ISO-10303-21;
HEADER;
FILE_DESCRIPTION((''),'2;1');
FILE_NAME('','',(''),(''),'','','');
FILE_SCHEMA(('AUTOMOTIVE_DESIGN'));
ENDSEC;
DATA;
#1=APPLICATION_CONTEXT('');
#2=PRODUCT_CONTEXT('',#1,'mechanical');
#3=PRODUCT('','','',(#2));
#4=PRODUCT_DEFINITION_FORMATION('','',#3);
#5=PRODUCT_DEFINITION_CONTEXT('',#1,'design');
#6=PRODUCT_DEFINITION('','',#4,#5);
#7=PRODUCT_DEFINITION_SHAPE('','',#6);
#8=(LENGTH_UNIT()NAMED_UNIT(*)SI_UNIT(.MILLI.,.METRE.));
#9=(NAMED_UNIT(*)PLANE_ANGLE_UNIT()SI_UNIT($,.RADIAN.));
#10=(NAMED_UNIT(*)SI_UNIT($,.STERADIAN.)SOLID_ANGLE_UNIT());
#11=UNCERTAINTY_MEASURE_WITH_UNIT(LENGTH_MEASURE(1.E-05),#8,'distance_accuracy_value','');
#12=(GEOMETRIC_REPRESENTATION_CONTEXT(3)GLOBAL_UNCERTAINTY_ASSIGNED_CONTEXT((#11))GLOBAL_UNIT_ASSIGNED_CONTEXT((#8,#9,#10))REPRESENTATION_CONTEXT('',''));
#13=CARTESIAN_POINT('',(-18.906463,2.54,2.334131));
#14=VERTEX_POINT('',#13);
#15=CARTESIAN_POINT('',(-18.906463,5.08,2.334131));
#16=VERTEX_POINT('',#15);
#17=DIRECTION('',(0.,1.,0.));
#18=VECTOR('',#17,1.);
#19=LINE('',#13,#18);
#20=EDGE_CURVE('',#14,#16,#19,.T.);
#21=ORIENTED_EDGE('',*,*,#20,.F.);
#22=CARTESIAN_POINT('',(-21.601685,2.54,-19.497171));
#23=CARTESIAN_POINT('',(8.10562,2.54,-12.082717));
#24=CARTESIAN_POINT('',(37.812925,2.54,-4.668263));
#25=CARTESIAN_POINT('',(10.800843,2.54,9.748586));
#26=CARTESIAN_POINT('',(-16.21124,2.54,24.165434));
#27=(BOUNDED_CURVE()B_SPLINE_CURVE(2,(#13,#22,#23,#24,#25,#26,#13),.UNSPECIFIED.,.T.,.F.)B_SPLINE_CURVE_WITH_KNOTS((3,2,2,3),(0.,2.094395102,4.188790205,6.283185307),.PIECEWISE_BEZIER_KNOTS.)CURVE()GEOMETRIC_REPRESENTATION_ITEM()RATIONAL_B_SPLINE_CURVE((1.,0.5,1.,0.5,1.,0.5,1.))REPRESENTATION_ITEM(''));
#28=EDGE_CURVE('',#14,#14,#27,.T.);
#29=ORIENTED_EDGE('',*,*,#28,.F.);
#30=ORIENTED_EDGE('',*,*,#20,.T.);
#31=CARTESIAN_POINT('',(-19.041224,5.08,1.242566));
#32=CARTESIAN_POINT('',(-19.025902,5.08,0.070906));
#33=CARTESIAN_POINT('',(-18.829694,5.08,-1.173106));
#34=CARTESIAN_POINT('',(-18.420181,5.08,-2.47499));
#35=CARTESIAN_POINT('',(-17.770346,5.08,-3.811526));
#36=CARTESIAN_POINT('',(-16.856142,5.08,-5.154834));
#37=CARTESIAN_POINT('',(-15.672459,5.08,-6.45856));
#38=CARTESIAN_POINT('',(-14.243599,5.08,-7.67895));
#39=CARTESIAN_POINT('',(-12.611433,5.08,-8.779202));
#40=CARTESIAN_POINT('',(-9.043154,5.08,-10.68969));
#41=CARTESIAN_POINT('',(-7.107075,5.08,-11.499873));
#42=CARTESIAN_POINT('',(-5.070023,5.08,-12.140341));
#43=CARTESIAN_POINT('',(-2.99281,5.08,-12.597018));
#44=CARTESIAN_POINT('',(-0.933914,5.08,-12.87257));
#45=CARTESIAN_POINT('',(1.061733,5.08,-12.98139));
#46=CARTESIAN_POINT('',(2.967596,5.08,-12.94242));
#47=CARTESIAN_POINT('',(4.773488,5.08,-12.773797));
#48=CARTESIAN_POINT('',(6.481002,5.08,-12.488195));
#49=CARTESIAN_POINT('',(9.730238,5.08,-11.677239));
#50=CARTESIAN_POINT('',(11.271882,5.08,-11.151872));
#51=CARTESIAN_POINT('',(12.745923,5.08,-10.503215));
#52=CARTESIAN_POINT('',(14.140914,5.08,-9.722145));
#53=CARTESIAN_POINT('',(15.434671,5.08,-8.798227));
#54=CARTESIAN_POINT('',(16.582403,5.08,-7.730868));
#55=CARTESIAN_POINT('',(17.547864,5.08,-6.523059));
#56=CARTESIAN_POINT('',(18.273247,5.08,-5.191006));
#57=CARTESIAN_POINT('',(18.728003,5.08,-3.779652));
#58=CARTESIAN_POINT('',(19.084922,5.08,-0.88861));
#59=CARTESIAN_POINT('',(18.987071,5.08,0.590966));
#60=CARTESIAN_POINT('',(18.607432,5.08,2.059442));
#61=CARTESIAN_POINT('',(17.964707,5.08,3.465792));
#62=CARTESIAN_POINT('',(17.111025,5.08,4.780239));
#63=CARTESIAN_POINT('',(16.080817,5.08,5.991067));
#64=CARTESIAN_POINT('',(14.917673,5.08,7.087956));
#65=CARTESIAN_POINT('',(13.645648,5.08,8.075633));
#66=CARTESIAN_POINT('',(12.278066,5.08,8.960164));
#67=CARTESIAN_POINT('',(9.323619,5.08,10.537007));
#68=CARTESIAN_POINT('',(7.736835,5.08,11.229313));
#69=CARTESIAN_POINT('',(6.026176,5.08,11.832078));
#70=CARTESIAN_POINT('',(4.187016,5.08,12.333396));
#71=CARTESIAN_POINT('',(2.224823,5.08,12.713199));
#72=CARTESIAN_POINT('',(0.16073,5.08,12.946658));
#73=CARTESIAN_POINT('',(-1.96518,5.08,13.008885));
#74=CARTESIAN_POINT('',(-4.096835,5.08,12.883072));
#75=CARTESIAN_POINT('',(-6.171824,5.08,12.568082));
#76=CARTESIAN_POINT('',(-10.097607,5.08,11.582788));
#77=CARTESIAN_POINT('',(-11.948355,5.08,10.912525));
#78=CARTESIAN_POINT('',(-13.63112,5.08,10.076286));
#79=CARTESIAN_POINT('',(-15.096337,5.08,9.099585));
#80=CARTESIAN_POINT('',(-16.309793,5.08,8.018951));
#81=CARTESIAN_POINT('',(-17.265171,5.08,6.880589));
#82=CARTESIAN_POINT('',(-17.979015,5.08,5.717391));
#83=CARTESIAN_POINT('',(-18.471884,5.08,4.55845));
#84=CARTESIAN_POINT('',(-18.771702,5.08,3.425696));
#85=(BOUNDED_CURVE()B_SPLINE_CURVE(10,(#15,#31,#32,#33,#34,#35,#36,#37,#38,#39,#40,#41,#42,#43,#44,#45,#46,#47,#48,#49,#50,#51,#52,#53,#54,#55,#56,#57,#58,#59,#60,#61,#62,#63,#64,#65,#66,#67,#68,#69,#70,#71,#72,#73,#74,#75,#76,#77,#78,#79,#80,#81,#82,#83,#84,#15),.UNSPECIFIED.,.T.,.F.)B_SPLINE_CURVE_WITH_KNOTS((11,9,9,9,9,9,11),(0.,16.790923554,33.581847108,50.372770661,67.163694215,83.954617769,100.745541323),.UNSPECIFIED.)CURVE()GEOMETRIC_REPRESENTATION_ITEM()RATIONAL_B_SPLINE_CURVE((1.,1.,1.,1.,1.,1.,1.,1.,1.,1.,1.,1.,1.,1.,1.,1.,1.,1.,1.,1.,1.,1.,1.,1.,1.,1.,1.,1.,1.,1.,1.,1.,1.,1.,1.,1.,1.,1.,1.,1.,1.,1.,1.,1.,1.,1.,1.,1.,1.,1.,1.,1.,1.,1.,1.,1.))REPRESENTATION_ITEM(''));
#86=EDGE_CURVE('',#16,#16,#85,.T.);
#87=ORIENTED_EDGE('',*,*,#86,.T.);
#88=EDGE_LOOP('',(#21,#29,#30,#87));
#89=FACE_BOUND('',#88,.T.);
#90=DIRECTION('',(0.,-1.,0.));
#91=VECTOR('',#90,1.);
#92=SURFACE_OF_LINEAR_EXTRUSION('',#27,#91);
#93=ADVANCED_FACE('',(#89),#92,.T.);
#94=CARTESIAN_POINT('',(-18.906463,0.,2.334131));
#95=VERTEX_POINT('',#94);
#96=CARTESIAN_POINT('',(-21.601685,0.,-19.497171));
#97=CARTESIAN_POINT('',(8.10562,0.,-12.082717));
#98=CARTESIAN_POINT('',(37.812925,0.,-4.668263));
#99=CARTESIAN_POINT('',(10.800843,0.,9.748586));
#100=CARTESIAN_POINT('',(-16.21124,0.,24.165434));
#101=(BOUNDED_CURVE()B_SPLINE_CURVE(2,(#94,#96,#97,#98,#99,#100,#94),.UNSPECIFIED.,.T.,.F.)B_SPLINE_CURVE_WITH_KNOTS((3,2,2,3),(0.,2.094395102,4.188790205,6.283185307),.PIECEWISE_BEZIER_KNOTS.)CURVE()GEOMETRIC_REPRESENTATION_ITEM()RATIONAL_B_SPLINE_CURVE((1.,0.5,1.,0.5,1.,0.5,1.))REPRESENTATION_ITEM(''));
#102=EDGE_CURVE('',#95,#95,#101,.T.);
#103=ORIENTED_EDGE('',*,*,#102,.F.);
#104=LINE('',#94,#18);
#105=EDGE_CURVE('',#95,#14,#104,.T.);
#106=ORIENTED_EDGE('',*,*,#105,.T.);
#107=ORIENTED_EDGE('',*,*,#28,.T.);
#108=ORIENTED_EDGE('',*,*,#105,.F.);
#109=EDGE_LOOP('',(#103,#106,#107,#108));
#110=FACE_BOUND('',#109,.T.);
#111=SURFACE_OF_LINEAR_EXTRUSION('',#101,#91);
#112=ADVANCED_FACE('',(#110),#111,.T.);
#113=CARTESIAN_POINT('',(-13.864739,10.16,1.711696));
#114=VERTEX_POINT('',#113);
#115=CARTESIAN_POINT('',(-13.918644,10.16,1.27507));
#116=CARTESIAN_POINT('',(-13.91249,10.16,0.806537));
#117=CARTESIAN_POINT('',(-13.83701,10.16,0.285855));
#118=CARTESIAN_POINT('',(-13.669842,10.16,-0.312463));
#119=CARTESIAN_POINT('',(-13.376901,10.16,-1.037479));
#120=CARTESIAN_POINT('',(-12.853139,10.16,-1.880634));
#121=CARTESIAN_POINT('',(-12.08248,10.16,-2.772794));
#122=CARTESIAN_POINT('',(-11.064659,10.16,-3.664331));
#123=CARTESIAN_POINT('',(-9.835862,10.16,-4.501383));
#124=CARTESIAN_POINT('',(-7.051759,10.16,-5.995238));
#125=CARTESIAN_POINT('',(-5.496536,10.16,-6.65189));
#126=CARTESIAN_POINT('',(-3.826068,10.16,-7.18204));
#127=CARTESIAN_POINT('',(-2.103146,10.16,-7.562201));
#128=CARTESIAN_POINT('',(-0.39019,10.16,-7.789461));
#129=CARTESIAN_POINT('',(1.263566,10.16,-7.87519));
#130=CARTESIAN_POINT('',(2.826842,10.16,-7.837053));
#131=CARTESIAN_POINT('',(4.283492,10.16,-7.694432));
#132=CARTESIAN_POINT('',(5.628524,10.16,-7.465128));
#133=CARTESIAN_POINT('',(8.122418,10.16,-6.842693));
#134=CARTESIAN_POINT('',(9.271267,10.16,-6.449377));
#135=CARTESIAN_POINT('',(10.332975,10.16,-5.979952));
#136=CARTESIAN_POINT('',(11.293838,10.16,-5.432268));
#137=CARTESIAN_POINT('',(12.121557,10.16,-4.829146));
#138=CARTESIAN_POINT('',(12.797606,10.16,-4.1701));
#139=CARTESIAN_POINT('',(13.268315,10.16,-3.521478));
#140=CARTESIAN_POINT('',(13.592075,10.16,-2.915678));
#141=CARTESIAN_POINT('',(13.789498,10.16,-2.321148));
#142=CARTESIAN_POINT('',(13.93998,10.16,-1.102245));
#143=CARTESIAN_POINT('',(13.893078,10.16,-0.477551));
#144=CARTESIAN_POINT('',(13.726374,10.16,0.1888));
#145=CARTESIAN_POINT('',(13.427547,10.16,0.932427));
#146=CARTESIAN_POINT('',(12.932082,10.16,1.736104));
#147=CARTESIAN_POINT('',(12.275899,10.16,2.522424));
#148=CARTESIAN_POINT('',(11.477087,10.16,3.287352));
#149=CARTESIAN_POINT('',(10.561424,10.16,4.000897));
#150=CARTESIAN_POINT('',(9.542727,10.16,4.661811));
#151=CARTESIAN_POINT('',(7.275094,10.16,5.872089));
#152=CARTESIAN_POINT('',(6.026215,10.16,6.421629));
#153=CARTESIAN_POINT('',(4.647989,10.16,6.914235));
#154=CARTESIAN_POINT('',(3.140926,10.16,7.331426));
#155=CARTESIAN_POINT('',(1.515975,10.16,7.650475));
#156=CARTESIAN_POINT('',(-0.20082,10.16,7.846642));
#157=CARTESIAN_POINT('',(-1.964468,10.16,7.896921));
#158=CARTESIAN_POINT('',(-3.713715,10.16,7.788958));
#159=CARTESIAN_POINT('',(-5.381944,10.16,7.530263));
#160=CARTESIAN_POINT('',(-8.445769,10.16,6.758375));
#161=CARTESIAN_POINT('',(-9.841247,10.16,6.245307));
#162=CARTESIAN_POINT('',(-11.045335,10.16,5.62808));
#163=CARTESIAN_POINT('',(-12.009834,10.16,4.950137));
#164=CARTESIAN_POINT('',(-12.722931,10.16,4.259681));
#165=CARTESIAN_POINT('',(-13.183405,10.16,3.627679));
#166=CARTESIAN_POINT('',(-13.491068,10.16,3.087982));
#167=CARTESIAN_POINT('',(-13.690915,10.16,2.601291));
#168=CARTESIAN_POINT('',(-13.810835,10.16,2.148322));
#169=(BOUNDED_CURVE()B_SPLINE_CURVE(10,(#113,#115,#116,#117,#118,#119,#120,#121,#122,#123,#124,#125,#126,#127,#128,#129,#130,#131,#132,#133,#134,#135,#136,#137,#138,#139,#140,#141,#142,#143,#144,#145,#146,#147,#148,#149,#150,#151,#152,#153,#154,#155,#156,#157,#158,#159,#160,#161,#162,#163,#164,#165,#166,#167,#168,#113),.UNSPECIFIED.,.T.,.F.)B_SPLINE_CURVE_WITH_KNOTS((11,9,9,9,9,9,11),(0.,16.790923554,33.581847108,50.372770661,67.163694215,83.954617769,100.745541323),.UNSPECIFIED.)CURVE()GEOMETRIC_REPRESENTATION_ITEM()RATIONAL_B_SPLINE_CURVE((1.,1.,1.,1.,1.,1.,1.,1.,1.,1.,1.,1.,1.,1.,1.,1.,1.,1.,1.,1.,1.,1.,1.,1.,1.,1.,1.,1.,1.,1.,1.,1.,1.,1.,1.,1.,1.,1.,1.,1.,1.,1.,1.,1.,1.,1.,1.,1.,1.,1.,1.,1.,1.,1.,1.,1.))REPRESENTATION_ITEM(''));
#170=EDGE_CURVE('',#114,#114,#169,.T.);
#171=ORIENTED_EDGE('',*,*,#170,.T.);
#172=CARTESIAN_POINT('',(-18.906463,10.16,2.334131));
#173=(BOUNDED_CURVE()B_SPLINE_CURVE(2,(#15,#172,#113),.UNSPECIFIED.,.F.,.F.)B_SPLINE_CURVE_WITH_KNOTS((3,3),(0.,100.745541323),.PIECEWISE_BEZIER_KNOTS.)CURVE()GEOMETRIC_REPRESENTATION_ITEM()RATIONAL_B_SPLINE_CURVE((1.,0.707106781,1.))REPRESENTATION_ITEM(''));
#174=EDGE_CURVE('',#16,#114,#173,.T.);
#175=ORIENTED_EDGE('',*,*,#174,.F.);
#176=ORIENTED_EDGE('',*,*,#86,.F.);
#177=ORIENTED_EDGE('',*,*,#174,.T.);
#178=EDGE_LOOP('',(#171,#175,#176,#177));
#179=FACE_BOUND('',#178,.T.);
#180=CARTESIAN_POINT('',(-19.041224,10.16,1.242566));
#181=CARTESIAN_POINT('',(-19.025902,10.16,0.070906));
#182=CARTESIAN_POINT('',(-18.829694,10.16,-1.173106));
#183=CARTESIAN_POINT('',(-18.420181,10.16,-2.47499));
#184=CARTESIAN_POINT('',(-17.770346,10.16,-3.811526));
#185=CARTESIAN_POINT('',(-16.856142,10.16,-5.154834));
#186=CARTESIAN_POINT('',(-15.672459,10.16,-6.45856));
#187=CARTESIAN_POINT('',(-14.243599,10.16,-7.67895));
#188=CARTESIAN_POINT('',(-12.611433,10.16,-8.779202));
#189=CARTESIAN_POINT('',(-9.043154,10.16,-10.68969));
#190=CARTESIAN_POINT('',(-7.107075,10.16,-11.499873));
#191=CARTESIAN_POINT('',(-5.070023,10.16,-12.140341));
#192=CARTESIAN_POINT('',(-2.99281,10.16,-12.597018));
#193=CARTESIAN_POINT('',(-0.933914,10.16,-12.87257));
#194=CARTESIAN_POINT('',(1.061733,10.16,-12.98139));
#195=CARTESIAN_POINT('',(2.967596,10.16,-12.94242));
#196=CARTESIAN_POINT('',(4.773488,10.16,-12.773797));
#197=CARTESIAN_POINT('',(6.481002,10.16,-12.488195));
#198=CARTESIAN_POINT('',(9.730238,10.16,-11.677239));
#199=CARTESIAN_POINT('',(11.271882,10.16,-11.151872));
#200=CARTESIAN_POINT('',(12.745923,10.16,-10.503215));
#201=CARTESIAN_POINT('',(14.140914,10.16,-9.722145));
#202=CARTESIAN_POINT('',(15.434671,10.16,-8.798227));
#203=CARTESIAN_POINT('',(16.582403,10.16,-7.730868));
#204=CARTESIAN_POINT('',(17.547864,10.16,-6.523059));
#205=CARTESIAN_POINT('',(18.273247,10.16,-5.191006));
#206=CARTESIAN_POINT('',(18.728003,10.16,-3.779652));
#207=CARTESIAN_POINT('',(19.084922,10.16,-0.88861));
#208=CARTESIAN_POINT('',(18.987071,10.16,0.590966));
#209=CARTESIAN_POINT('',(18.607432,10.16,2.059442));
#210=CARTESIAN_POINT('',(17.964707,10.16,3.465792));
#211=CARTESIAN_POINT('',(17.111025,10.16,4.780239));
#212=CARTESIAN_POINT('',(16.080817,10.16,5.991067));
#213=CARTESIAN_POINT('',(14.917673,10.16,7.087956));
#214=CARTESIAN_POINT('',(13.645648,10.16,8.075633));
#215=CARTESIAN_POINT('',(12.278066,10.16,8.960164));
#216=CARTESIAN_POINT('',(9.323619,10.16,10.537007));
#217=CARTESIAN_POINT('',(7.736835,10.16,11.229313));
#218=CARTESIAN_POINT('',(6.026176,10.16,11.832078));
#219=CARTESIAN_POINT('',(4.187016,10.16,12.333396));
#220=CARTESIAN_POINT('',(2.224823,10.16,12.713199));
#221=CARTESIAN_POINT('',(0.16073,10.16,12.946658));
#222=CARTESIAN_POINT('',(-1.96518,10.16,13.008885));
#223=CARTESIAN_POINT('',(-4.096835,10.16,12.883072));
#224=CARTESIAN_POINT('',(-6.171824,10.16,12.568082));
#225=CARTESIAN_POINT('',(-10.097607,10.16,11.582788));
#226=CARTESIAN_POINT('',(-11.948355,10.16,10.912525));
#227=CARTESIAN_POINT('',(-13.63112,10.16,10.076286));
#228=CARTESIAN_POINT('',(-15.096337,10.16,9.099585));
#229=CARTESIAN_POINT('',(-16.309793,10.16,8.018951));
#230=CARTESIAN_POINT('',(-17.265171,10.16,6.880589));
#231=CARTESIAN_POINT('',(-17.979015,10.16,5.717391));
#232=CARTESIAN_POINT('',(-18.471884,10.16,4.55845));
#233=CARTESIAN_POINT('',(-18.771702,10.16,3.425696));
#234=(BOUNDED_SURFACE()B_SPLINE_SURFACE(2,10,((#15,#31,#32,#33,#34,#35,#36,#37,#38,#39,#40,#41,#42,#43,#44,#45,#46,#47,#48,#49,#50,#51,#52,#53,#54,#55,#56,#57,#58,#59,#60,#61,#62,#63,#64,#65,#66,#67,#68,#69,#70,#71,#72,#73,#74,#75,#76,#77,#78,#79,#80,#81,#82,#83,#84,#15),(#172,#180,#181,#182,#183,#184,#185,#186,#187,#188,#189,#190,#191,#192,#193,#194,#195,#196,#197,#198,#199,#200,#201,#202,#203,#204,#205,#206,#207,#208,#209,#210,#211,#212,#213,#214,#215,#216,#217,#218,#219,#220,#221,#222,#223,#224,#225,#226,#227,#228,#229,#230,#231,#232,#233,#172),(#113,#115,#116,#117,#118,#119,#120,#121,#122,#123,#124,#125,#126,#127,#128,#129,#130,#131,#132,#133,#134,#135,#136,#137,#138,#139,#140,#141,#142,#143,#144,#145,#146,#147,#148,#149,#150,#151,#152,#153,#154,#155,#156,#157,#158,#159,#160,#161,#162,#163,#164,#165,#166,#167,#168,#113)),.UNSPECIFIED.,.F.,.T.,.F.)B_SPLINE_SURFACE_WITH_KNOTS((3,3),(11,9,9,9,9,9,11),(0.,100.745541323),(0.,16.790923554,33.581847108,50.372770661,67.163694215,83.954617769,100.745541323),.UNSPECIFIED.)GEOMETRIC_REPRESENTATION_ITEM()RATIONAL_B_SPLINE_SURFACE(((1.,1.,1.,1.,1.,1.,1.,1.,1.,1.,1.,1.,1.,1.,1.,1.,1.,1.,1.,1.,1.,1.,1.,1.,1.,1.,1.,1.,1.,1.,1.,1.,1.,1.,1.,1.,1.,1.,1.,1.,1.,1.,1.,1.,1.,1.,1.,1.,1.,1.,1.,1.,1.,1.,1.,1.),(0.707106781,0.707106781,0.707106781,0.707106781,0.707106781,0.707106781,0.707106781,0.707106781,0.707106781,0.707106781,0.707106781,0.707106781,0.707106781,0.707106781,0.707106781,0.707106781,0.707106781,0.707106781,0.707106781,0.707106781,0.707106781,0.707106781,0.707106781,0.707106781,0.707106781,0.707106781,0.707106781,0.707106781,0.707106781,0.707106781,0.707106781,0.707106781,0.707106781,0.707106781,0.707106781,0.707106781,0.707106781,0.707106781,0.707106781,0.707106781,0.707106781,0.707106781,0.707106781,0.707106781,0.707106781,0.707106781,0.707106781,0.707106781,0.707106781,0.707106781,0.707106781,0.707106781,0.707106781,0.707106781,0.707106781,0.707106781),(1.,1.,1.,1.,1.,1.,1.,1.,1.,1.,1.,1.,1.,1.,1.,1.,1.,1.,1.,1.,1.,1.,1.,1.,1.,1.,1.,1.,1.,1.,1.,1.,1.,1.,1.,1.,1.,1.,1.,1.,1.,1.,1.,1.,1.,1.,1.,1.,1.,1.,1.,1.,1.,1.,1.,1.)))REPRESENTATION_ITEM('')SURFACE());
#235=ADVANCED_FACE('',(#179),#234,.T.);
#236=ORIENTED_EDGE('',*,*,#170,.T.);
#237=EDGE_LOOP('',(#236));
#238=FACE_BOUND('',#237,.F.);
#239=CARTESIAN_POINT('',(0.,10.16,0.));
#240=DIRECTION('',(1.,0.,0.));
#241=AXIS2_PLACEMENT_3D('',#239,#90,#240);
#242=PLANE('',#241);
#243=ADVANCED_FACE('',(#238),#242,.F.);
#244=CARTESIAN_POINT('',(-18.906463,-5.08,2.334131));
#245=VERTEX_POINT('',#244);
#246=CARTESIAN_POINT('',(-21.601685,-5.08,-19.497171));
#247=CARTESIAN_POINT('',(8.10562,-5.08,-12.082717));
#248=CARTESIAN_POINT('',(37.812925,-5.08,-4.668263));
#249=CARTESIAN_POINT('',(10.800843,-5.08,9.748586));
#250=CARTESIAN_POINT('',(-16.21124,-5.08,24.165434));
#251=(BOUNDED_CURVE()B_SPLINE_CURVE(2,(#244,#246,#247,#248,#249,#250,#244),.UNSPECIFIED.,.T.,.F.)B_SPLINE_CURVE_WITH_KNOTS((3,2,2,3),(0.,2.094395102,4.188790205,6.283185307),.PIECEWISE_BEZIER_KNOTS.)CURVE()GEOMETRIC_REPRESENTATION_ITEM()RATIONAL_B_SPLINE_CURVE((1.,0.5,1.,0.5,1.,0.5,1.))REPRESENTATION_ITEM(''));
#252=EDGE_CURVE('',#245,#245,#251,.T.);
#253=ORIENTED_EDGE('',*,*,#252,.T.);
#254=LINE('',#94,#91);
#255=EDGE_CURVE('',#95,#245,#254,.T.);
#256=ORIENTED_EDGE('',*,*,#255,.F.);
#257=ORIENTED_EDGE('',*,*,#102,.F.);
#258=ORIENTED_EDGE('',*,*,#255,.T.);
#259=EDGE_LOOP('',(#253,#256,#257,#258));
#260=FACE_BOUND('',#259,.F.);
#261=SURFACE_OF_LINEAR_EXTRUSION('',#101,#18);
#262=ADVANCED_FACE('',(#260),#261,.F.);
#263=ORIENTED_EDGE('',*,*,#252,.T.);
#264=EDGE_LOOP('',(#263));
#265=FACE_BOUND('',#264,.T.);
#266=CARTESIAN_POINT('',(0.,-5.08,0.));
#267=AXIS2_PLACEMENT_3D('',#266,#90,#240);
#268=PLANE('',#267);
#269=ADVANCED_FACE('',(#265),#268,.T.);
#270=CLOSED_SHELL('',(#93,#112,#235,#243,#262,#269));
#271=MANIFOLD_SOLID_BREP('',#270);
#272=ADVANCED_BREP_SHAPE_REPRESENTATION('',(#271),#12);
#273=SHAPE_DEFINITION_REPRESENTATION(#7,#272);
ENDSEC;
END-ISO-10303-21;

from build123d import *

# Parameters (mm, degrees)
F1_DEPTH = 5.08
F2_DEPTH = 2.54
F3_DEPTH = 7.62
F4_R     = 5.08


with BuildPart() as f1:
    # F0 (on Front) → F1 (new body)
    with BuildSketch(Plane.XZ):
        with BuildLine():
            add(Edge.make_bspline(
                [(-18.9064626827, 2.3341312791), (-21.6016853273, -19.4971713594), (8.105620019, -12.0827169588), (37.8129253654, -4.6682625582), (10.8008426637, 9.7485856797), (-16.211240038, 24.1654339177), (-18.9064626827, 2.3341312791)],
                knots=[0, 0, 0, 2.0943951024, 2.0943951024, 4.1887902048, 4.1887902048, 6.2831853072, 6.2831853072, 6.2831853072], degree=2, weights=[1, 0.5, 1, 0.5, 1, 0.5, 1]))
        make_face()
    extrude(amount=F1_DEPTH)

    # F2 (add): a face of the model
    f2_faces = [f1.faces().sort_by_distance(p)[0] for p in [
        (-0.0294284101, 0, 0.0155791619),
    ]]
    extrude(f2_faces, amount=F2_DEPTH)

    # F3 (add): a face of the model
    f3_faces = [f1.faces().sort_by_distance(p)[0] for p in [
        (-0.0294284101, 2.54, 0.0155791619),
    ]]
    extrude(f3_faces, amount=F3_DEPTH)

    # F4
    f4_edges = [f1.edges().sort_by_distance(p)[0] for p in [
        (18.906463, 10.16, -2.334131),
    ]]
    fillet(f4_edges, radius=F4_R)


solid = f1.part
